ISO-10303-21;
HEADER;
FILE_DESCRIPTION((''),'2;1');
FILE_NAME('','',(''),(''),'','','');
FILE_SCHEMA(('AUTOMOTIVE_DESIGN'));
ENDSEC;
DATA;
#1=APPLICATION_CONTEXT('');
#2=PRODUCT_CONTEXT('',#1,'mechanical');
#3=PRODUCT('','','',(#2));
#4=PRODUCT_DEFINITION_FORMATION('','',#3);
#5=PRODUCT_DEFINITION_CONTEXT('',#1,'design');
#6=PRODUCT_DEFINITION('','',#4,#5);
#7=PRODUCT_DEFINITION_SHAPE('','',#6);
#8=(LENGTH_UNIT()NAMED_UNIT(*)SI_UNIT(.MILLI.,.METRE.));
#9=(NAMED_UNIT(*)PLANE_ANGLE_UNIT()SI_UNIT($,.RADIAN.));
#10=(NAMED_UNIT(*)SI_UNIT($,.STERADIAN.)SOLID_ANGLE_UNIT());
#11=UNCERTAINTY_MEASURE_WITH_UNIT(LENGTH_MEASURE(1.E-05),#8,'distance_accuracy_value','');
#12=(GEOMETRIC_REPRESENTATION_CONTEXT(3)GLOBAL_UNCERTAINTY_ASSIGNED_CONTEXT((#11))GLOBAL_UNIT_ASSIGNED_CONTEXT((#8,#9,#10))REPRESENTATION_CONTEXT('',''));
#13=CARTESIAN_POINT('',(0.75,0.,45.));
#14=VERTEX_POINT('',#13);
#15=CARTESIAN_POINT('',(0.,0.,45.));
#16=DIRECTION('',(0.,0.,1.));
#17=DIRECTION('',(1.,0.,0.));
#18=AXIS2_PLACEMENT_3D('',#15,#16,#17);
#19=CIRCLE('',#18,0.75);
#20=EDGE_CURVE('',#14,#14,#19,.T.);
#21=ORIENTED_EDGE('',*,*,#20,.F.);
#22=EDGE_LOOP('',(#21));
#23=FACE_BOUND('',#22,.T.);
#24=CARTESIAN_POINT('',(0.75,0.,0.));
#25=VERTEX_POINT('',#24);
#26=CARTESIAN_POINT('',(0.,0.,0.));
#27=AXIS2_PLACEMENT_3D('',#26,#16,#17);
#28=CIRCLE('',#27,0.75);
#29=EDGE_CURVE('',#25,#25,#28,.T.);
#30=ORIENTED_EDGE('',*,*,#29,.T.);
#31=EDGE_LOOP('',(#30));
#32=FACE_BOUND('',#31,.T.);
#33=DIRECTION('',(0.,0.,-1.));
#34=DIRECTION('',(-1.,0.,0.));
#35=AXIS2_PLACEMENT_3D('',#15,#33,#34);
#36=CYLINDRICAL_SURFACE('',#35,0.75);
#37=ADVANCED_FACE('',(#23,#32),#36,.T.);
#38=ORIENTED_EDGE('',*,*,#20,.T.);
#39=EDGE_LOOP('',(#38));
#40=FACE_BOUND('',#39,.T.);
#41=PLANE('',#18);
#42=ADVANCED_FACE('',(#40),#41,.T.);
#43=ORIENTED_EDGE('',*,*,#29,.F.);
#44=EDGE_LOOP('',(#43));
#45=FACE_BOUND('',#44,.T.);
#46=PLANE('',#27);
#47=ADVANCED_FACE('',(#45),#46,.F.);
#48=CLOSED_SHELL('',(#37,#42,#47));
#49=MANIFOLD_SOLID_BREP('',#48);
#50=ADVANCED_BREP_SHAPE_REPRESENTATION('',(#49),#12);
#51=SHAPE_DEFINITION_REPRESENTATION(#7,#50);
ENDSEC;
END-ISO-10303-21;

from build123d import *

# Parameters (mm, degrees)
SKETCH_1_R      = 0.75
EXTRUDE_1_DEPTH = 45


with BuildPart() as part:
    # 草图1 → 凸台-拉伸1 (new body)
    with BuildSketch(Plane.XY):
        Circle(SKETCH_1_R)
    extrude(amount=EXTRUDE_1_DEPTH)


solid = part.part
